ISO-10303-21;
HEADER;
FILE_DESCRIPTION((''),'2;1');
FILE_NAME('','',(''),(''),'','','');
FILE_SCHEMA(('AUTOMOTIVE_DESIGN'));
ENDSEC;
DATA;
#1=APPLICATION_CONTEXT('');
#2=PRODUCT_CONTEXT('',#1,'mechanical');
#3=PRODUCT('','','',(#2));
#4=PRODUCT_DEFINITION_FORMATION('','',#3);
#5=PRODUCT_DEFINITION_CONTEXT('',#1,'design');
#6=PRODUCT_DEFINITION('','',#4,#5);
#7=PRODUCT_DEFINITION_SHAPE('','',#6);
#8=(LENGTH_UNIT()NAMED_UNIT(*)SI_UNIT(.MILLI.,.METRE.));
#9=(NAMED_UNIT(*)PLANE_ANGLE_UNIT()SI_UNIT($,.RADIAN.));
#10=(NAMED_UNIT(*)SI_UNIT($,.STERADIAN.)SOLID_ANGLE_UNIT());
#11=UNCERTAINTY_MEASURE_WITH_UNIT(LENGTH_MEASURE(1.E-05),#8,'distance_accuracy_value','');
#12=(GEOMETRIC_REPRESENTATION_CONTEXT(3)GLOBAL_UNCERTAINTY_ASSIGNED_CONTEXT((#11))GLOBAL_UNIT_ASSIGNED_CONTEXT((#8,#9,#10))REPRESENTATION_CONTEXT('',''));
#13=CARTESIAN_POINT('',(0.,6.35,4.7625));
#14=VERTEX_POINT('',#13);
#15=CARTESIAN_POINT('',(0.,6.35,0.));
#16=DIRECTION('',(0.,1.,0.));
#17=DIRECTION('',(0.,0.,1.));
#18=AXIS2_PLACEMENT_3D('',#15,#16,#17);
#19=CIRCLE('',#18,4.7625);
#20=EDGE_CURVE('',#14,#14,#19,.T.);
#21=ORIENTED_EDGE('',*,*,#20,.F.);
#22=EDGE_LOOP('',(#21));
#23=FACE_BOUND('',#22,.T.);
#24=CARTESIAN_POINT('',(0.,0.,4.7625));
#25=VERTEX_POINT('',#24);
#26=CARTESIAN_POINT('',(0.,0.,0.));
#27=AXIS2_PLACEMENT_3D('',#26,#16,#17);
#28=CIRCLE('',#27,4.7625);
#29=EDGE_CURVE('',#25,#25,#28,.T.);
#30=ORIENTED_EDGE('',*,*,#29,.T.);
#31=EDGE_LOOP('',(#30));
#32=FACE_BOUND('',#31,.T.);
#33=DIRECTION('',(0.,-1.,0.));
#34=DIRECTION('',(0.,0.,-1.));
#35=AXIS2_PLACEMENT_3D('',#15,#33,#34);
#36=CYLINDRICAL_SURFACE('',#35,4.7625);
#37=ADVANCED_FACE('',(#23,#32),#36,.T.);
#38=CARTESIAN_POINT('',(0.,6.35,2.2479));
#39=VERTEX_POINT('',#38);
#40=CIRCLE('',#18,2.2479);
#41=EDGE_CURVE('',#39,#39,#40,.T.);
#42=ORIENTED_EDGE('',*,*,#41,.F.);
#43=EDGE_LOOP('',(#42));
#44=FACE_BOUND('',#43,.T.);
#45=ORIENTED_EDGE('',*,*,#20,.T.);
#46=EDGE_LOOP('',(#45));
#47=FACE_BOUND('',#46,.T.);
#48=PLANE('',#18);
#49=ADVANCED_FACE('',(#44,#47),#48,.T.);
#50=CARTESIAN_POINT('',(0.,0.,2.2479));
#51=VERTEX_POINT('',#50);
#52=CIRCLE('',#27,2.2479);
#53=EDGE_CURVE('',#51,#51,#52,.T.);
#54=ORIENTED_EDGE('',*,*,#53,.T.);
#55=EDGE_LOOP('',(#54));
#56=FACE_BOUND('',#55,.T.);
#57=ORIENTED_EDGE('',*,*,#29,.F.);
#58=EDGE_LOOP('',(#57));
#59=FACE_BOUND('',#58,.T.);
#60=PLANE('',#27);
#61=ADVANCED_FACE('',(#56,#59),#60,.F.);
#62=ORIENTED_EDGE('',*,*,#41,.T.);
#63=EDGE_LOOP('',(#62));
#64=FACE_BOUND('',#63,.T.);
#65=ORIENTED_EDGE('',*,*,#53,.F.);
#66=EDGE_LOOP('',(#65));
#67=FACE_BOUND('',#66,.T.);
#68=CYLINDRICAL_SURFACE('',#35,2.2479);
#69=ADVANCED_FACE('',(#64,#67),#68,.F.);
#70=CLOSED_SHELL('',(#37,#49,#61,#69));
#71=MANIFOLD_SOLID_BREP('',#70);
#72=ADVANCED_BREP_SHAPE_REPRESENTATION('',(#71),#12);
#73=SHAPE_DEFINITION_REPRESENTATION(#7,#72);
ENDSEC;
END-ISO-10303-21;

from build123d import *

# Parameters (mm, degrees)
SKETCH1_R           = 4.7625
SKETCH1_R_2         = 2.2479
BOSS_EXTRUDE1_DEPTH = 6.35


with BuildPart() as part:
    # Sketch1 → Boss-Extrude1 (new body)
    with BuildSketch(Plane(origin=(0, 0, 0), x_dir=(1, 0, 0), z_dir=(0, 1, 0))):
        with Locations(Location((0, 0, 0), (0, 0, 270))):
            Circle(SKETCH1_R)
        with Locations(Location((0, 0, 0), (0, 0, 270))):
            Circle(SKETCH1_R_2, mode=Mode.SUBTRACT)
    extrude(amount=BOSS_EXTRUDE1_DEPTH)


solid = part.part
